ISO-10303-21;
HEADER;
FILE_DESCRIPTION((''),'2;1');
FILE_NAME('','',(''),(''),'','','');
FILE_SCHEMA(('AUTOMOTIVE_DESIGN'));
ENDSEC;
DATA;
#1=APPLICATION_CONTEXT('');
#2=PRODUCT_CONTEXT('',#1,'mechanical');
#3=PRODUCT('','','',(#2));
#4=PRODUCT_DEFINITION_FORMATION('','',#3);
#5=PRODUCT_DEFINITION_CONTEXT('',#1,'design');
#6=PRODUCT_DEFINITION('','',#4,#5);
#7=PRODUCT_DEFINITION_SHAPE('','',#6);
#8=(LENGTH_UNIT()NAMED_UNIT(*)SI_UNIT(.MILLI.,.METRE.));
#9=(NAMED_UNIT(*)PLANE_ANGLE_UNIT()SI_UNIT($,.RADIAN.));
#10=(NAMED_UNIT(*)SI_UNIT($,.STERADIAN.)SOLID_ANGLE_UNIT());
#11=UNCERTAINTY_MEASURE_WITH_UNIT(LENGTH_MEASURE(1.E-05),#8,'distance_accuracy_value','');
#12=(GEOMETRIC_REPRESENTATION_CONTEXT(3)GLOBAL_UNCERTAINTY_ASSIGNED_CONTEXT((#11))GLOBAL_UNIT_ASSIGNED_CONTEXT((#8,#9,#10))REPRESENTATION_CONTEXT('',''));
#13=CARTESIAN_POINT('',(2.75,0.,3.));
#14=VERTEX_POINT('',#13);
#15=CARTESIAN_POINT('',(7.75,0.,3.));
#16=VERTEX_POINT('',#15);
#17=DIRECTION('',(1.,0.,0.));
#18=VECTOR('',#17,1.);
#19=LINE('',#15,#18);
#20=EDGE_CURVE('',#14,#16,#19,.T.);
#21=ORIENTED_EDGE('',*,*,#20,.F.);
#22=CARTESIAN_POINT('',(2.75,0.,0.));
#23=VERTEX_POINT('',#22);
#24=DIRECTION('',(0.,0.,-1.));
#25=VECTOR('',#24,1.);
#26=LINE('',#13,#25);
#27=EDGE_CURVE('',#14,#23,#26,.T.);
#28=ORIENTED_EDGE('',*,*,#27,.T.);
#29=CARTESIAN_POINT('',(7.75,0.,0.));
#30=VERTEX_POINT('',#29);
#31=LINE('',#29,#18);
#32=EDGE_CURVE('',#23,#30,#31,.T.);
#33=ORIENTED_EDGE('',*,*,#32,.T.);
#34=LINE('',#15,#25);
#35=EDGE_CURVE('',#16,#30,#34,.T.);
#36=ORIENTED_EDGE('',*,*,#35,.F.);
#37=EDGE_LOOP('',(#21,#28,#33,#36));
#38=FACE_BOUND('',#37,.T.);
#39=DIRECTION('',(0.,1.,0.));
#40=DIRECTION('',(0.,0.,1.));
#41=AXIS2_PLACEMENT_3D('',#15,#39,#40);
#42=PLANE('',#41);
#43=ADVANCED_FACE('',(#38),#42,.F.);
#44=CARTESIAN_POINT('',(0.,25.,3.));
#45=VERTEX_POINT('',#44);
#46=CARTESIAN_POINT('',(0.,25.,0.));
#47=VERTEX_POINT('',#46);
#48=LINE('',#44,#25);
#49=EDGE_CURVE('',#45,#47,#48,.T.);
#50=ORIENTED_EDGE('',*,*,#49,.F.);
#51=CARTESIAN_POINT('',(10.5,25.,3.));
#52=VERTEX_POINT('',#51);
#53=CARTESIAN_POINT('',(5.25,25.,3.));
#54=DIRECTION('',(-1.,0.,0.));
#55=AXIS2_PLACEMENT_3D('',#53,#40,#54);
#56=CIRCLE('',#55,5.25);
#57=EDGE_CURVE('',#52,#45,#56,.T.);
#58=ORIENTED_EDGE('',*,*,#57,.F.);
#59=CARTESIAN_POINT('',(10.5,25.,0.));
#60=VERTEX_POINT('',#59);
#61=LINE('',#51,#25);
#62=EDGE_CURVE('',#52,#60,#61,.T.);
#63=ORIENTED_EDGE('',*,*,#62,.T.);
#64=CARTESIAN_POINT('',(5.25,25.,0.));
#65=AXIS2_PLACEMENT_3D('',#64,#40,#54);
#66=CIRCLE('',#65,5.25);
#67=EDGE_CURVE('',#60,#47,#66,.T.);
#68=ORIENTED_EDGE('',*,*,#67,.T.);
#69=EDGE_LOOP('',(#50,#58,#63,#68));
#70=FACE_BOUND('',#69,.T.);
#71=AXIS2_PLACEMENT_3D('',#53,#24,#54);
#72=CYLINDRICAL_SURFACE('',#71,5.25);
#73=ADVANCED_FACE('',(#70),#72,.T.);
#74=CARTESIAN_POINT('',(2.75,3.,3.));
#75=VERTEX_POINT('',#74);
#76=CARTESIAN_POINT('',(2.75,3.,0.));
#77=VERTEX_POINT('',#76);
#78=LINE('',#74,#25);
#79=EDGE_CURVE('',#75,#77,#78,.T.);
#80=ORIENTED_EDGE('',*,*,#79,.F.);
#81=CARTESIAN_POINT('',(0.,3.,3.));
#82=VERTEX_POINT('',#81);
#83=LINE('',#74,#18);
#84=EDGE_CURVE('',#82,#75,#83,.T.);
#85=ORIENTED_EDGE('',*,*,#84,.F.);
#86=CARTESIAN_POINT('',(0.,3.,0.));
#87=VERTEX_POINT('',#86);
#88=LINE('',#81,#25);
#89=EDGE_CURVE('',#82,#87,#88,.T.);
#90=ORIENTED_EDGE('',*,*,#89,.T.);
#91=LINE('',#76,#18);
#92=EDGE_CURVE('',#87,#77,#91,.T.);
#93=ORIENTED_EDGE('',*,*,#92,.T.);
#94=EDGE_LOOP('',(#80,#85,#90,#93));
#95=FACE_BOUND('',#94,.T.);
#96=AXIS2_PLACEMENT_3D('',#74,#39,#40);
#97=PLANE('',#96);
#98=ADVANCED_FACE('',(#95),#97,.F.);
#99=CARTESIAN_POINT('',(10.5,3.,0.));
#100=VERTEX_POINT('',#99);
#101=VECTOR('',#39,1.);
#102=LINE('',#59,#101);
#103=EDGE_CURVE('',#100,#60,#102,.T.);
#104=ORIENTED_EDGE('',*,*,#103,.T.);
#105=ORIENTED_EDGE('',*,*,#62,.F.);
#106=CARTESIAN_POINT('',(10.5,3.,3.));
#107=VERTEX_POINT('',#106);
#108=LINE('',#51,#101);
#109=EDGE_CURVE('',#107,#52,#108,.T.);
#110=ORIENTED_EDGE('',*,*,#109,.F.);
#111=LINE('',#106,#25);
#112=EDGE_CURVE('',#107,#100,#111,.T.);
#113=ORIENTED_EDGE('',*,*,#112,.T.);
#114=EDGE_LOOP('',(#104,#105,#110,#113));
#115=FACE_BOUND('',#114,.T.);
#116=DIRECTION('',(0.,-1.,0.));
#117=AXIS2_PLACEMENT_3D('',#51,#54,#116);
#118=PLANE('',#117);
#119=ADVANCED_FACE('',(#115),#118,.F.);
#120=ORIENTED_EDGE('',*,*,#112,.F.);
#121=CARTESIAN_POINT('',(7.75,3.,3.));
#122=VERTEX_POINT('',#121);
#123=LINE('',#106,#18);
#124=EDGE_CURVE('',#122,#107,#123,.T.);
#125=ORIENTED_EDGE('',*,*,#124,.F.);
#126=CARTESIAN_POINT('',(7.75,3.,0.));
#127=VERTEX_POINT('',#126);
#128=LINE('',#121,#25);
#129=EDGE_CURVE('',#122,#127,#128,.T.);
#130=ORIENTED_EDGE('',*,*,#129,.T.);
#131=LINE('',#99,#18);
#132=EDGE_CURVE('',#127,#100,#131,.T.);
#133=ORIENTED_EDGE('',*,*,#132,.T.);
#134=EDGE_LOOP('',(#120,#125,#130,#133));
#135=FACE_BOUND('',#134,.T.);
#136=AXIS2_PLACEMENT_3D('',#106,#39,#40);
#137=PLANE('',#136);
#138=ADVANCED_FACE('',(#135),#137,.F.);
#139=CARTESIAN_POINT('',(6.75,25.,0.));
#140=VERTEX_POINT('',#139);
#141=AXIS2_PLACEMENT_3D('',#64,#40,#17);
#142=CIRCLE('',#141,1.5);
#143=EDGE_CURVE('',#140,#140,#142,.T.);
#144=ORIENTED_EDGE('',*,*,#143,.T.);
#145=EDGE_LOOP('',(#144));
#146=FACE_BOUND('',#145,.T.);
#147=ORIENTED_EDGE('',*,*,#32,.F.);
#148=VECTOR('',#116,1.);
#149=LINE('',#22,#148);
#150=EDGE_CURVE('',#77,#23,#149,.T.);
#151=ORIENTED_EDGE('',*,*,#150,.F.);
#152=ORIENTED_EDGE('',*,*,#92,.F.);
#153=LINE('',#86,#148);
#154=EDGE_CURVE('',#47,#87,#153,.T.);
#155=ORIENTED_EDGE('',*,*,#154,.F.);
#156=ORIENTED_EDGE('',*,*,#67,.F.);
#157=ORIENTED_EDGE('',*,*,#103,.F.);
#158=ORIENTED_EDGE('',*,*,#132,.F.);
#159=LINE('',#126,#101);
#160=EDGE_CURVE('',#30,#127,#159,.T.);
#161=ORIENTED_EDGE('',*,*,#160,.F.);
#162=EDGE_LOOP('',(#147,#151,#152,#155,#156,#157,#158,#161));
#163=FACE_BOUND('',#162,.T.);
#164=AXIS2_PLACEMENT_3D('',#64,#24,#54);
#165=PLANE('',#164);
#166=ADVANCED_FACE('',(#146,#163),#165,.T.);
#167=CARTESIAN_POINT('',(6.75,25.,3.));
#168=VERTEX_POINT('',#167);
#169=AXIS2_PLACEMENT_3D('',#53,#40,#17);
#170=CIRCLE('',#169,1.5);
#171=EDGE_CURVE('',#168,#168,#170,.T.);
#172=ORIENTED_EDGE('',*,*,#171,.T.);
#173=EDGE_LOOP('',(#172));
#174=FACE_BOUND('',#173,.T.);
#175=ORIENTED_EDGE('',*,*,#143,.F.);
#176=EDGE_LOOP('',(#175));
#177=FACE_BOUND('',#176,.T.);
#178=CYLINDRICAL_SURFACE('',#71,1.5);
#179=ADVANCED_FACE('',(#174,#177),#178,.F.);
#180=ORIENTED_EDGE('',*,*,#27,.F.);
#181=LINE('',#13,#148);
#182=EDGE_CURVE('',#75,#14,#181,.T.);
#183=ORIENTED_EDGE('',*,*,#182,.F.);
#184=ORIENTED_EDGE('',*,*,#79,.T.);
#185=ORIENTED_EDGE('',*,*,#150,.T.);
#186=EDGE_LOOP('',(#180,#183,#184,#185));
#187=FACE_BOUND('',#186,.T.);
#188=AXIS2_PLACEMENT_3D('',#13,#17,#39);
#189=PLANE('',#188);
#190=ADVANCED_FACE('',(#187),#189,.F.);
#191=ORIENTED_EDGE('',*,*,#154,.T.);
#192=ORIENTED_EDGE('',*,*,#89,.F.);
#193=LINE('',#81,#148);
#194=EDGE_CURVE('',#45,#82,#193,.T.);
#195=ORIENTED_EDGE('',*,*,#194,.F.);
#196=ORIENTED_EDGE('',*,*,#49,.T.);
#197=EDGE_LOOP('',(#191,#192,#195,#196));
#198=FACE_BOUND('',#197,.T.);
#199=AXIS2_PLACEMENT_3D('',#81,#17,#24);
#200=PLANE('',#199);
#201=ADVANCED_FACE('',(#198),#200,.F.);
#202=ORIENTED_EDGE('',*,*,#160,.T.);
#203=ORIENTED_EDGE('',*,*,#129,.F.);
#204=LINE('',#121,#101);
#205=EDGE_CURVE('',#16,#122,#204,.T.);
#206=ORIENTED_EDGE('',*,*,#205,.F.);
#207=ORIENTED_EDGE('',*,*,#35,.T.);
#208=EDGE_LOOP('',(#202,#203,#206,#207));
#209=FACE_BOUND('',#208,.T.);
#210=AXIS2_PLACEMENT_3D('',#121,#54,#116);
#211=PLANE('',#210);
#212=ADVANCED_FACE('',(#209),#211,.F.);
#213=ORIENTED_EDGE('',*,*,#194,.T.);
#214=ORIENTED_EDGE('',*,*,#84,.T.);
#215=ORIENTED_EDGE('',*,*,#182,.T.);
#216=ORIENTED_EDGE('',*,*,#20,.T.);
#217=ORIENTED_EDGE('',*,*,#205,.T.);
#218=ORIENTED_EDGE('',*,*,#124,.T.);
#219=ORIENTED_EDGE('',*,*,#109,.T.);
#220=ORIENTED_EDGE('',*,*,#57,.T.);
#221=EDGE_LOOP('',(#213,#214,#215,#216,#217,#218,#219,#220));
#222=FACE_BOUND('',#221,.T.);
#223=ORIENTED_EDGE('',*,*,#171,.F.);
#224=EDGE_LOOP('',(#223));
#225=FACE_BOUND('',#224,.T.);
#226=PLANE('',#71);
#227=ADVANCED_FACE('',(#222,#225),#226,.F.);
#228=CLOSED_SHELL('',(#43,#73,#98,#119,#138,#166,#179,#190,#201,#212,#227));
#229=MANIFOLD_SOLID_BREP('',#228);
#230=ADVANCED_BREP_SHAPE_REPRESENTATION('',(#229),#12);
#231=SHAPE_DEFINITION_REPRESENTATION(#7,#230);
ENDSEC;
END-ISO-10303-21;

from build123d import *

# Parameters (mm, degrees)
PLATE_THICKNESS_3MM_DEPTH = 3


with BuildPart() as part:
    # Sketch1 → Plate_thickness_3mm (new body)
    with BuildSketch(Plane.XY):
        with BuildLine():
            Line((10.5, 25), (10.5, 3))
            Line((10.5, 3), (7.75, 3))
            Line((7.75, 3), (7.75, 0))
            Line((7.75, 0), (2.75, 0))
            Line((2.75, 0), (2.75, 3))
            Line((2.75, 3), (0, 3))
            Line((0, 3), (0, 25))
            ThreePointArc((0, 25), (1.537689399, 28.712310601), (5.25, 30.25))
            ThreePointArc((5.25, 30.25), (8.962310601, 28.712310601), (10.5, 25))
        make_face()
        with BuildLine():
            ThreePointArc((5.25, 26.5), (3.75, 25), (5.25, 23.5))
            ThreePointArc((5.25, 23.5), (6.75, 25), (5.25, 26.5))
        make_face(mode=Mode.SUBTRACT)
    extrude(amount=PLATE_THICKNESS_3MM_DEPTH)


solid = part.part
